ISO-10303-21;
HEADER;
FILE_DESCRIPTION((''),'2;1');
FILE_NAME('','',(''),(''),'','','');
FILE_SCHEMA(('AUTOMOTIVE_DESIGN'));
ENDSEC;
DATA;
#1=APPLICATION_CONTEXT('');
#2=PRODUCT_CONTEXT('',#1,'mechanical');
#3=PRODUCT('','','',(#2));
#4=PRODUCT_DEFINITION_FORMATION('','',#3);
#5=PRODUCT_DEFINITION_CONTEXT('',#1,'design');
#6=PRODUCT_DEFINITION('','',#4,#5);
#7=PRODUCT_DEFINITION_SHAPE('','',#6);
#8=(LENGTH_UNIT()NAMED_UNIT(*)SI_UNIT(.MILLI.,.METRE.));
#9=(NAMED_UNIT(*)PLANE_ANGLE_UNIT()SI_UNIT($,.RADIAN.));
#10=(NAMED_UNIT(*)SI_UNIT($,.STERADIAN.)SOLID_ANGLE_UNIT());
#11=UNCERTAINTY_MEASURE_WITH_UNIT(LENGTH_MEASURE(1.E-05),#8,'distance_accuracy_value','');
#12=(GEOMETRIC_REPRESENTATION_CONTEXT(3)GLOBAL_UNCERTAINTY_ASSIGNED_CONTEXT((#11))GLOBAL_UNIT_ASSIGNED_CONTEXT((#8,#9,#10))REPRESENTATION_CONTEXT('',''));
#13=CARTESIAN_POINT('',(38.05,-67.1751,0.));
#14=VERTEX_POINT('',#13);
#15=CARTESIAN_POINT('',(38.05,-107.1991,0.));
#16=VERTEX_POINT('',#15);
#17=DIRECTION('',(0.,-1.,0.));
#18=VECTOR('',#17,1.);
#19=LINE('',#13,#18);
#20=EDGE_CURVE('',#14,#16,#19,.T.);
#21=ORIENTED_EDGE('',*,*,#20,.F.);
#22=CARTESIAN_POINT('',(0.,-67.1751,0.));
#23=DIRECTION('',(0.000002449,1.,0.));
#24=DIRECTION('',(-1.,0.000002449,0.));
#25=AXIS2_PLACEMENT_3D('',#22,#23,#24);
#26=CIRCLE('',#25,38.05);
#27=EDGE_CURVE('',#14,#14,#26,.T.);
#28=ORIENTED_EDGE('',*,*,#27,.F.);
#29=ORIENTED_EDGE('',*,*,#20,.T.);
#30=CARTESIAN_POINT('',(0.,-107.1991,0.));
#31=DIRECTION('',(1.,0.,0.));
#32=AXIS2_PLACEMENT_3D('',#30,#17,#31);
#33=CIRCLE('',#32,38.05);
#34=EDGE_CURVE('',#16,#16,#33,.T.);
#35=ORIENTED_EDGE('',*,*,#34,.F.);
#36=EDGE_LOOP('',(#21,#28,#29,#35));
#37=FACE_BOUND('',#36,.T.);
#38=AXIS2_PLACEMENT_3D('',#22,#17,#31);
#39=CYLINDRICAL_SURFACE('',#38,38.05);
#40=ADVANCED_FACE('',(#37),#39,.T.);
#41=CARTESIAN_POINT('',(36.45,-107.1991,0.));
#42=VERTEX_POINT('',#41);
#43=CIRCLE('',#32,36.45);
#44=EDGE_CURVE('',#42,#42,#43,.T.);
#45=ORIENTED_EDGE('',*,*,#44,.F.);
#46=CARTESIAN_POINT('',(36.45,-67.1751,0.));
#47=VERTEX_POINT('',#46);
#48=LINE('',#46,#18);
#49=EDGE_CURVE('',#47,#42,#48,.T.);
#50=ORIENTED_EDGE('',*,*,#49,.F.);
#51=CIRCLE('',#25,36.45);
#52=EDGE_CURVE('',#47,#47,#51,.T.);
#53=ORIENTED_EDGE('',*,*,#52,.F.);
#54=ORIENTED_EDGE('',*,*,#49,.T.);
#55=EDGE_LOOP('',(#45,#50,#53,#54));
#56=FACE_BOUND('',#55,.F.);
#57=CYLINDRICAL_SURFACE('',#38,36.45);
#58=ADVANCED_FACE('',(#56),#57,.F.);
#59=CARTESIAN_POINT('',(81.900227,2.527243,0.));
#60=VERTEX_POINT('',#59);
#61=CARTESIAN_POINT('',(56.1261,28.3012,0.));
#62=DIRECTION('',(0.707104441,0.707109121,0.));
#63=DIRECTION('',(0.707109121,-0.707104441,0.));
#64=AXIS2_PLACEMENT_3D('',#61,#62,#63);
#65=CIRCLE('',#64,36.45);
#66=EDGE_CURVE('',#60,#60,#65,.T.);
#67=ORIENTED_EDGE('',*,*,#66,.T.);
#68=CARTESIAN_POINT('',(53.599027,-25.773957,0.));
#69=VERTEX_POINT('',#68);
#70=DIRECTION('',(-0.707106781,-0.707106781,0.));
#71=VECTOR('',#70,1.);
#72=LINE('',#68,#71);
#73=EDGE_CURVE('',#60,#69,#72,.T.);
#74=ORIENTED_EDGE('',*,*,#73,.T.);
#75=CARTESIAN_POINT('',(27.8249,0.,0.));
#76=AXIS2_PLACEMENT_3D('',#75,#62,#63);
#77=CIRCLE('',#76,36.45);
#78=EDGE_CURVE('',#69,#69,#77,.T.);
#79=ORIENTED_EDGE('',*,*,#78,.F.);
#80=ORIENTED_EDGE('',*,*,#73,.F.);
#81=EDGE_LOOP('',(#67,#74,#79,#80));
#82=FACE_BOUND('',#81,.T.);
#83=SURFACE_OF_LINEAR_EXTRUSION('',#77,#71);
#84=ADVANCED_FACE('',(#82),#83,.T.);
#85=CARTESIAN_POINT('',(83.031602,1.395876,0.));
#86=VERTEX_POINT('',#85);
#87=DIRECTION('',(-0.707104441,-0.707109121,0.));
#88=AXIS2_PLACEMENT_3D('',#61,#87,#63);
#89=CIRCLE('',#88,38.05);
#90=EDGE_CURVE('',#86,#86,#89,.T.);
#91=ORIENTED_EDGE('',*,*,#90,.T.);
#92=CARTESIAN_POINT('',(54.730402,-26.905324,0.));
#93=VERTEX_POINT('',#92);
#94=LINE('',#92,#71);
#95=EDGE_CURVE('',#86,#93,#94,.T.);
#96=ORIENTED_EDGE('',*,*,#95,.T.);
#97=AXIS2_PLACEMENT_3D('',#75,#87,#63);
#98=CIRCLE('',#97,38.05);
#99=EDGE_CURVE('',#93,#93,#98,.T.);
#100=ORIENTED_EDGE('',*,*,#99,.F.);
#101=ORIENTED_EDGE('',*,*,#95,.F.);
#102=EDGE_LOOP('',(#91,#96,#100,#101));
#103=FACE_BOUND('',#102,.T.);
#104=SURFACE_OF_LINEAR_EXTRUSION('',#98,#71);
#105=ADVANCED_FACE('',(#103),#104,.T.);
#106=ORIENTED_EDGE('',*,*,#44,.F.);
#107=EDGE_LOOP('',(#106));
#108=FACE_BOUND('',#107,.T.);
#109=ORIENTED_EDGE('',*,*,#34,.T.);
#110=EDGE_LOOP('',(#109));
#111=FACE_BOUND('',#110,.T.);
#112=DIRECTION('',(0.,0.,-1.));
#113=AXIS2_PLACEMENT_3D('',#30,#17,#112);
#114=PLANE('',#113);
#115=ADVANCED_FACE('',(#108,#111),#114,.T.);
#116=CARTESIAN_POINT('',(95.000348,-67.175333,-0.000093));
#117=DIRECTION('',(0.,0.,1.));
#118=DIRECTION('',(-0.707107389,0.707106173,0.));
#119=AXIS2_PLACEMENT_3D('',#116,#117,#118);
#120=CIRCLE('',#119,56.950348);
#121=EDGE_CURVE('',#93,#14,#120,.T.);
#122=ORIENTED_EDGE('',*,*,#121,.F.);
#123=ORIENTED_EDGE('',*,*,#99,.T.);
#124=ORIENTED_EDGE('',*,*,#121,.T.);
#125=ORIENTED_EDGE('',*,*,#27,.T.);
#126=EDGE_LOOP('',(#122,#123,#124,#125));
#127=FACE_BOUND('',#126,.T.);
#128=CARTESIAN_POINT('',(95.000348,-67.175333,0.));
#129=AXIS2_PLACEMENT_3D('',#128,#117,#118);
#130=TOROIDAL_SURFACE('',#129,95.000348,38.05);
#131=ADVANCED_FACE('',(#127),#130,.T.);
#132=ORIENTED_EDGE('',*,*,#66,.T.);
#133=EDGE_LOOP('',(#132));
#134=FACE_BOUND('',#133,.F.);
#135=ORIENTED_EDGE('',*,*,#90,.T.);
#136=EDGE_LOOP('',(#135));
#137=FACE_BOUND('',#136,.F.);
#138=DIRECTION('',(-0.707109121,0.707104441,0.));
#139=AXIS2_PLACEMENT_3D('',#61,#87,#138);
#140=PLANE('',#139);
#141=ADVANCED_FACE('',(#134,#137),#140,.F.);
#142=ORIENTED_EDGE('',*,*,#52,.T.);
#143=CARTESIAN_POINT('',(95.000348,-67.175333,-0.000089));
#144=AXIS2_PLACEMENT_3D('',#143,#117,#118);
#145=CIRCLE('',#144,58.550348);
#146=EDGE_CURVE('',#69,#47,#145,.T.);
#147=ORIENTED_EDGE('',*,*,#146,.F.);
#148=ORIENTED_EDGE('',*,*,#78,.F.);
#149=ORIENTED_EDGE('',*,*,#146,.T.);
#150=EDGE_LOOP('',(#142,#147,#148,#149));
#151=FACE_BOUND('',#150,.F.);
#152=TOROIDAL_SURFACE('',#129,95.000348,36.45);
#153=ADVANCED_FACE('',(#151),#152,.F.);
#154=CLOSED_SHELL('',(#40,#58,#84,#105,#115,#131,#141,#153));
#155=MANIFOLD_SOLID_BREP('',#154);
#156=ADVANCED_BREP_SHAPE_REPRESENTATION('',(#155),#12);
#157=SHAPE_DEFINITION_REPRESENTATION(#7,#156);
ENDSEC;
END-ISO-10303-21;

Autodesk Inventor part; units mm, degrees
ref_plane "YZ Plane" through (0, 0, 0) normal (1, 0, 0) x (0, 1, 0)
ref_plane "XZ Plane" through (0, 0, 0) normal (0, 1, 0) x (-1, 0, 0)
sketch "Szkic6" plane through (0, 0, 0) normal (0, 0, 1) x (1, 0, 0)
  line L0 (-29.6067, 0) -> (35.2678, 0) construction
  line L1 (0, 42.3419) -> (0, -58.3726) construction
  arc A0 (27.8249, 0) -> (0, -67.1751) centre (95, -67.1751) ccw
  line L2 (0, -67.1751) -> (95, -67.1751) construction
  line L3 (95, -67.1751) -> (48.6611, -20.8362) construction
  line L4 (27.8249, 0) -> (56.1261, 28.3012)
  line L5 (0, -67.1751) -> (0, -107.1991)
  point P0 (0, 0)
  dimension "d24" = 95
  dimension "d31" = 45
  dimension "d36" = 40.024
  dimension "d37" = 40.024
ref_plane "Płaszczyzna konstrukcyjna2" through (0, -67.1751, 0) normal (0, -1, 0) x (1, 0, 0)
sketch "Szkic8" plane through (0, -67.1751, 0) normal (0, -1, 0) x (1, 0, 0)
  circle A0 centre (0, 0) radius 38.05
  circle A1 centre (0, 0) radius 36.45
  dimension "d32" = 76.1
  dimension "d33" = 1.6
sweep "Przeciągnięcie2" add profiles "Szkic8" path "Szkic6"
equation "\"d32\" = OD"
equation "\"d33\" = THK"
equation "\"d24\" = R"
equation "\"d31\" = KAT"
equation "\"d36\" = PROSTKA"
equation "\"d37\" = PROSTKA"
equation "\"SzerokośćGięciaPodcięcia\" = Grubość"
equation "\"RozmiarPodcięciaNarożnika\" = 4 * Grubość"
equation "\"PromieńPrzejścia\" = PromieńGięcia"
equation "\"Rozmiar_promienia_Jacobiego\" = PromieńGięcia"
equation "\"Wielk_odstępu\" = Grubość"
equation "\"d2\" = PromieńGięcia"
equation "\"d23\" = PromieńGięcia"
equation "\"R\" = 95"
equation "\"OD\" = 76.1"
equation "\"THK\" = 1.6"
equation "\"KAT\" = 45deg"
equation "\"PROSTKA\" = 40.024"
equation "\"Grubość\" = 1.5"
equation "\"PromieńGięcia\" = 3"
properties part number "Kolano 45° ø76,1x1,6 R95" material "304L"
